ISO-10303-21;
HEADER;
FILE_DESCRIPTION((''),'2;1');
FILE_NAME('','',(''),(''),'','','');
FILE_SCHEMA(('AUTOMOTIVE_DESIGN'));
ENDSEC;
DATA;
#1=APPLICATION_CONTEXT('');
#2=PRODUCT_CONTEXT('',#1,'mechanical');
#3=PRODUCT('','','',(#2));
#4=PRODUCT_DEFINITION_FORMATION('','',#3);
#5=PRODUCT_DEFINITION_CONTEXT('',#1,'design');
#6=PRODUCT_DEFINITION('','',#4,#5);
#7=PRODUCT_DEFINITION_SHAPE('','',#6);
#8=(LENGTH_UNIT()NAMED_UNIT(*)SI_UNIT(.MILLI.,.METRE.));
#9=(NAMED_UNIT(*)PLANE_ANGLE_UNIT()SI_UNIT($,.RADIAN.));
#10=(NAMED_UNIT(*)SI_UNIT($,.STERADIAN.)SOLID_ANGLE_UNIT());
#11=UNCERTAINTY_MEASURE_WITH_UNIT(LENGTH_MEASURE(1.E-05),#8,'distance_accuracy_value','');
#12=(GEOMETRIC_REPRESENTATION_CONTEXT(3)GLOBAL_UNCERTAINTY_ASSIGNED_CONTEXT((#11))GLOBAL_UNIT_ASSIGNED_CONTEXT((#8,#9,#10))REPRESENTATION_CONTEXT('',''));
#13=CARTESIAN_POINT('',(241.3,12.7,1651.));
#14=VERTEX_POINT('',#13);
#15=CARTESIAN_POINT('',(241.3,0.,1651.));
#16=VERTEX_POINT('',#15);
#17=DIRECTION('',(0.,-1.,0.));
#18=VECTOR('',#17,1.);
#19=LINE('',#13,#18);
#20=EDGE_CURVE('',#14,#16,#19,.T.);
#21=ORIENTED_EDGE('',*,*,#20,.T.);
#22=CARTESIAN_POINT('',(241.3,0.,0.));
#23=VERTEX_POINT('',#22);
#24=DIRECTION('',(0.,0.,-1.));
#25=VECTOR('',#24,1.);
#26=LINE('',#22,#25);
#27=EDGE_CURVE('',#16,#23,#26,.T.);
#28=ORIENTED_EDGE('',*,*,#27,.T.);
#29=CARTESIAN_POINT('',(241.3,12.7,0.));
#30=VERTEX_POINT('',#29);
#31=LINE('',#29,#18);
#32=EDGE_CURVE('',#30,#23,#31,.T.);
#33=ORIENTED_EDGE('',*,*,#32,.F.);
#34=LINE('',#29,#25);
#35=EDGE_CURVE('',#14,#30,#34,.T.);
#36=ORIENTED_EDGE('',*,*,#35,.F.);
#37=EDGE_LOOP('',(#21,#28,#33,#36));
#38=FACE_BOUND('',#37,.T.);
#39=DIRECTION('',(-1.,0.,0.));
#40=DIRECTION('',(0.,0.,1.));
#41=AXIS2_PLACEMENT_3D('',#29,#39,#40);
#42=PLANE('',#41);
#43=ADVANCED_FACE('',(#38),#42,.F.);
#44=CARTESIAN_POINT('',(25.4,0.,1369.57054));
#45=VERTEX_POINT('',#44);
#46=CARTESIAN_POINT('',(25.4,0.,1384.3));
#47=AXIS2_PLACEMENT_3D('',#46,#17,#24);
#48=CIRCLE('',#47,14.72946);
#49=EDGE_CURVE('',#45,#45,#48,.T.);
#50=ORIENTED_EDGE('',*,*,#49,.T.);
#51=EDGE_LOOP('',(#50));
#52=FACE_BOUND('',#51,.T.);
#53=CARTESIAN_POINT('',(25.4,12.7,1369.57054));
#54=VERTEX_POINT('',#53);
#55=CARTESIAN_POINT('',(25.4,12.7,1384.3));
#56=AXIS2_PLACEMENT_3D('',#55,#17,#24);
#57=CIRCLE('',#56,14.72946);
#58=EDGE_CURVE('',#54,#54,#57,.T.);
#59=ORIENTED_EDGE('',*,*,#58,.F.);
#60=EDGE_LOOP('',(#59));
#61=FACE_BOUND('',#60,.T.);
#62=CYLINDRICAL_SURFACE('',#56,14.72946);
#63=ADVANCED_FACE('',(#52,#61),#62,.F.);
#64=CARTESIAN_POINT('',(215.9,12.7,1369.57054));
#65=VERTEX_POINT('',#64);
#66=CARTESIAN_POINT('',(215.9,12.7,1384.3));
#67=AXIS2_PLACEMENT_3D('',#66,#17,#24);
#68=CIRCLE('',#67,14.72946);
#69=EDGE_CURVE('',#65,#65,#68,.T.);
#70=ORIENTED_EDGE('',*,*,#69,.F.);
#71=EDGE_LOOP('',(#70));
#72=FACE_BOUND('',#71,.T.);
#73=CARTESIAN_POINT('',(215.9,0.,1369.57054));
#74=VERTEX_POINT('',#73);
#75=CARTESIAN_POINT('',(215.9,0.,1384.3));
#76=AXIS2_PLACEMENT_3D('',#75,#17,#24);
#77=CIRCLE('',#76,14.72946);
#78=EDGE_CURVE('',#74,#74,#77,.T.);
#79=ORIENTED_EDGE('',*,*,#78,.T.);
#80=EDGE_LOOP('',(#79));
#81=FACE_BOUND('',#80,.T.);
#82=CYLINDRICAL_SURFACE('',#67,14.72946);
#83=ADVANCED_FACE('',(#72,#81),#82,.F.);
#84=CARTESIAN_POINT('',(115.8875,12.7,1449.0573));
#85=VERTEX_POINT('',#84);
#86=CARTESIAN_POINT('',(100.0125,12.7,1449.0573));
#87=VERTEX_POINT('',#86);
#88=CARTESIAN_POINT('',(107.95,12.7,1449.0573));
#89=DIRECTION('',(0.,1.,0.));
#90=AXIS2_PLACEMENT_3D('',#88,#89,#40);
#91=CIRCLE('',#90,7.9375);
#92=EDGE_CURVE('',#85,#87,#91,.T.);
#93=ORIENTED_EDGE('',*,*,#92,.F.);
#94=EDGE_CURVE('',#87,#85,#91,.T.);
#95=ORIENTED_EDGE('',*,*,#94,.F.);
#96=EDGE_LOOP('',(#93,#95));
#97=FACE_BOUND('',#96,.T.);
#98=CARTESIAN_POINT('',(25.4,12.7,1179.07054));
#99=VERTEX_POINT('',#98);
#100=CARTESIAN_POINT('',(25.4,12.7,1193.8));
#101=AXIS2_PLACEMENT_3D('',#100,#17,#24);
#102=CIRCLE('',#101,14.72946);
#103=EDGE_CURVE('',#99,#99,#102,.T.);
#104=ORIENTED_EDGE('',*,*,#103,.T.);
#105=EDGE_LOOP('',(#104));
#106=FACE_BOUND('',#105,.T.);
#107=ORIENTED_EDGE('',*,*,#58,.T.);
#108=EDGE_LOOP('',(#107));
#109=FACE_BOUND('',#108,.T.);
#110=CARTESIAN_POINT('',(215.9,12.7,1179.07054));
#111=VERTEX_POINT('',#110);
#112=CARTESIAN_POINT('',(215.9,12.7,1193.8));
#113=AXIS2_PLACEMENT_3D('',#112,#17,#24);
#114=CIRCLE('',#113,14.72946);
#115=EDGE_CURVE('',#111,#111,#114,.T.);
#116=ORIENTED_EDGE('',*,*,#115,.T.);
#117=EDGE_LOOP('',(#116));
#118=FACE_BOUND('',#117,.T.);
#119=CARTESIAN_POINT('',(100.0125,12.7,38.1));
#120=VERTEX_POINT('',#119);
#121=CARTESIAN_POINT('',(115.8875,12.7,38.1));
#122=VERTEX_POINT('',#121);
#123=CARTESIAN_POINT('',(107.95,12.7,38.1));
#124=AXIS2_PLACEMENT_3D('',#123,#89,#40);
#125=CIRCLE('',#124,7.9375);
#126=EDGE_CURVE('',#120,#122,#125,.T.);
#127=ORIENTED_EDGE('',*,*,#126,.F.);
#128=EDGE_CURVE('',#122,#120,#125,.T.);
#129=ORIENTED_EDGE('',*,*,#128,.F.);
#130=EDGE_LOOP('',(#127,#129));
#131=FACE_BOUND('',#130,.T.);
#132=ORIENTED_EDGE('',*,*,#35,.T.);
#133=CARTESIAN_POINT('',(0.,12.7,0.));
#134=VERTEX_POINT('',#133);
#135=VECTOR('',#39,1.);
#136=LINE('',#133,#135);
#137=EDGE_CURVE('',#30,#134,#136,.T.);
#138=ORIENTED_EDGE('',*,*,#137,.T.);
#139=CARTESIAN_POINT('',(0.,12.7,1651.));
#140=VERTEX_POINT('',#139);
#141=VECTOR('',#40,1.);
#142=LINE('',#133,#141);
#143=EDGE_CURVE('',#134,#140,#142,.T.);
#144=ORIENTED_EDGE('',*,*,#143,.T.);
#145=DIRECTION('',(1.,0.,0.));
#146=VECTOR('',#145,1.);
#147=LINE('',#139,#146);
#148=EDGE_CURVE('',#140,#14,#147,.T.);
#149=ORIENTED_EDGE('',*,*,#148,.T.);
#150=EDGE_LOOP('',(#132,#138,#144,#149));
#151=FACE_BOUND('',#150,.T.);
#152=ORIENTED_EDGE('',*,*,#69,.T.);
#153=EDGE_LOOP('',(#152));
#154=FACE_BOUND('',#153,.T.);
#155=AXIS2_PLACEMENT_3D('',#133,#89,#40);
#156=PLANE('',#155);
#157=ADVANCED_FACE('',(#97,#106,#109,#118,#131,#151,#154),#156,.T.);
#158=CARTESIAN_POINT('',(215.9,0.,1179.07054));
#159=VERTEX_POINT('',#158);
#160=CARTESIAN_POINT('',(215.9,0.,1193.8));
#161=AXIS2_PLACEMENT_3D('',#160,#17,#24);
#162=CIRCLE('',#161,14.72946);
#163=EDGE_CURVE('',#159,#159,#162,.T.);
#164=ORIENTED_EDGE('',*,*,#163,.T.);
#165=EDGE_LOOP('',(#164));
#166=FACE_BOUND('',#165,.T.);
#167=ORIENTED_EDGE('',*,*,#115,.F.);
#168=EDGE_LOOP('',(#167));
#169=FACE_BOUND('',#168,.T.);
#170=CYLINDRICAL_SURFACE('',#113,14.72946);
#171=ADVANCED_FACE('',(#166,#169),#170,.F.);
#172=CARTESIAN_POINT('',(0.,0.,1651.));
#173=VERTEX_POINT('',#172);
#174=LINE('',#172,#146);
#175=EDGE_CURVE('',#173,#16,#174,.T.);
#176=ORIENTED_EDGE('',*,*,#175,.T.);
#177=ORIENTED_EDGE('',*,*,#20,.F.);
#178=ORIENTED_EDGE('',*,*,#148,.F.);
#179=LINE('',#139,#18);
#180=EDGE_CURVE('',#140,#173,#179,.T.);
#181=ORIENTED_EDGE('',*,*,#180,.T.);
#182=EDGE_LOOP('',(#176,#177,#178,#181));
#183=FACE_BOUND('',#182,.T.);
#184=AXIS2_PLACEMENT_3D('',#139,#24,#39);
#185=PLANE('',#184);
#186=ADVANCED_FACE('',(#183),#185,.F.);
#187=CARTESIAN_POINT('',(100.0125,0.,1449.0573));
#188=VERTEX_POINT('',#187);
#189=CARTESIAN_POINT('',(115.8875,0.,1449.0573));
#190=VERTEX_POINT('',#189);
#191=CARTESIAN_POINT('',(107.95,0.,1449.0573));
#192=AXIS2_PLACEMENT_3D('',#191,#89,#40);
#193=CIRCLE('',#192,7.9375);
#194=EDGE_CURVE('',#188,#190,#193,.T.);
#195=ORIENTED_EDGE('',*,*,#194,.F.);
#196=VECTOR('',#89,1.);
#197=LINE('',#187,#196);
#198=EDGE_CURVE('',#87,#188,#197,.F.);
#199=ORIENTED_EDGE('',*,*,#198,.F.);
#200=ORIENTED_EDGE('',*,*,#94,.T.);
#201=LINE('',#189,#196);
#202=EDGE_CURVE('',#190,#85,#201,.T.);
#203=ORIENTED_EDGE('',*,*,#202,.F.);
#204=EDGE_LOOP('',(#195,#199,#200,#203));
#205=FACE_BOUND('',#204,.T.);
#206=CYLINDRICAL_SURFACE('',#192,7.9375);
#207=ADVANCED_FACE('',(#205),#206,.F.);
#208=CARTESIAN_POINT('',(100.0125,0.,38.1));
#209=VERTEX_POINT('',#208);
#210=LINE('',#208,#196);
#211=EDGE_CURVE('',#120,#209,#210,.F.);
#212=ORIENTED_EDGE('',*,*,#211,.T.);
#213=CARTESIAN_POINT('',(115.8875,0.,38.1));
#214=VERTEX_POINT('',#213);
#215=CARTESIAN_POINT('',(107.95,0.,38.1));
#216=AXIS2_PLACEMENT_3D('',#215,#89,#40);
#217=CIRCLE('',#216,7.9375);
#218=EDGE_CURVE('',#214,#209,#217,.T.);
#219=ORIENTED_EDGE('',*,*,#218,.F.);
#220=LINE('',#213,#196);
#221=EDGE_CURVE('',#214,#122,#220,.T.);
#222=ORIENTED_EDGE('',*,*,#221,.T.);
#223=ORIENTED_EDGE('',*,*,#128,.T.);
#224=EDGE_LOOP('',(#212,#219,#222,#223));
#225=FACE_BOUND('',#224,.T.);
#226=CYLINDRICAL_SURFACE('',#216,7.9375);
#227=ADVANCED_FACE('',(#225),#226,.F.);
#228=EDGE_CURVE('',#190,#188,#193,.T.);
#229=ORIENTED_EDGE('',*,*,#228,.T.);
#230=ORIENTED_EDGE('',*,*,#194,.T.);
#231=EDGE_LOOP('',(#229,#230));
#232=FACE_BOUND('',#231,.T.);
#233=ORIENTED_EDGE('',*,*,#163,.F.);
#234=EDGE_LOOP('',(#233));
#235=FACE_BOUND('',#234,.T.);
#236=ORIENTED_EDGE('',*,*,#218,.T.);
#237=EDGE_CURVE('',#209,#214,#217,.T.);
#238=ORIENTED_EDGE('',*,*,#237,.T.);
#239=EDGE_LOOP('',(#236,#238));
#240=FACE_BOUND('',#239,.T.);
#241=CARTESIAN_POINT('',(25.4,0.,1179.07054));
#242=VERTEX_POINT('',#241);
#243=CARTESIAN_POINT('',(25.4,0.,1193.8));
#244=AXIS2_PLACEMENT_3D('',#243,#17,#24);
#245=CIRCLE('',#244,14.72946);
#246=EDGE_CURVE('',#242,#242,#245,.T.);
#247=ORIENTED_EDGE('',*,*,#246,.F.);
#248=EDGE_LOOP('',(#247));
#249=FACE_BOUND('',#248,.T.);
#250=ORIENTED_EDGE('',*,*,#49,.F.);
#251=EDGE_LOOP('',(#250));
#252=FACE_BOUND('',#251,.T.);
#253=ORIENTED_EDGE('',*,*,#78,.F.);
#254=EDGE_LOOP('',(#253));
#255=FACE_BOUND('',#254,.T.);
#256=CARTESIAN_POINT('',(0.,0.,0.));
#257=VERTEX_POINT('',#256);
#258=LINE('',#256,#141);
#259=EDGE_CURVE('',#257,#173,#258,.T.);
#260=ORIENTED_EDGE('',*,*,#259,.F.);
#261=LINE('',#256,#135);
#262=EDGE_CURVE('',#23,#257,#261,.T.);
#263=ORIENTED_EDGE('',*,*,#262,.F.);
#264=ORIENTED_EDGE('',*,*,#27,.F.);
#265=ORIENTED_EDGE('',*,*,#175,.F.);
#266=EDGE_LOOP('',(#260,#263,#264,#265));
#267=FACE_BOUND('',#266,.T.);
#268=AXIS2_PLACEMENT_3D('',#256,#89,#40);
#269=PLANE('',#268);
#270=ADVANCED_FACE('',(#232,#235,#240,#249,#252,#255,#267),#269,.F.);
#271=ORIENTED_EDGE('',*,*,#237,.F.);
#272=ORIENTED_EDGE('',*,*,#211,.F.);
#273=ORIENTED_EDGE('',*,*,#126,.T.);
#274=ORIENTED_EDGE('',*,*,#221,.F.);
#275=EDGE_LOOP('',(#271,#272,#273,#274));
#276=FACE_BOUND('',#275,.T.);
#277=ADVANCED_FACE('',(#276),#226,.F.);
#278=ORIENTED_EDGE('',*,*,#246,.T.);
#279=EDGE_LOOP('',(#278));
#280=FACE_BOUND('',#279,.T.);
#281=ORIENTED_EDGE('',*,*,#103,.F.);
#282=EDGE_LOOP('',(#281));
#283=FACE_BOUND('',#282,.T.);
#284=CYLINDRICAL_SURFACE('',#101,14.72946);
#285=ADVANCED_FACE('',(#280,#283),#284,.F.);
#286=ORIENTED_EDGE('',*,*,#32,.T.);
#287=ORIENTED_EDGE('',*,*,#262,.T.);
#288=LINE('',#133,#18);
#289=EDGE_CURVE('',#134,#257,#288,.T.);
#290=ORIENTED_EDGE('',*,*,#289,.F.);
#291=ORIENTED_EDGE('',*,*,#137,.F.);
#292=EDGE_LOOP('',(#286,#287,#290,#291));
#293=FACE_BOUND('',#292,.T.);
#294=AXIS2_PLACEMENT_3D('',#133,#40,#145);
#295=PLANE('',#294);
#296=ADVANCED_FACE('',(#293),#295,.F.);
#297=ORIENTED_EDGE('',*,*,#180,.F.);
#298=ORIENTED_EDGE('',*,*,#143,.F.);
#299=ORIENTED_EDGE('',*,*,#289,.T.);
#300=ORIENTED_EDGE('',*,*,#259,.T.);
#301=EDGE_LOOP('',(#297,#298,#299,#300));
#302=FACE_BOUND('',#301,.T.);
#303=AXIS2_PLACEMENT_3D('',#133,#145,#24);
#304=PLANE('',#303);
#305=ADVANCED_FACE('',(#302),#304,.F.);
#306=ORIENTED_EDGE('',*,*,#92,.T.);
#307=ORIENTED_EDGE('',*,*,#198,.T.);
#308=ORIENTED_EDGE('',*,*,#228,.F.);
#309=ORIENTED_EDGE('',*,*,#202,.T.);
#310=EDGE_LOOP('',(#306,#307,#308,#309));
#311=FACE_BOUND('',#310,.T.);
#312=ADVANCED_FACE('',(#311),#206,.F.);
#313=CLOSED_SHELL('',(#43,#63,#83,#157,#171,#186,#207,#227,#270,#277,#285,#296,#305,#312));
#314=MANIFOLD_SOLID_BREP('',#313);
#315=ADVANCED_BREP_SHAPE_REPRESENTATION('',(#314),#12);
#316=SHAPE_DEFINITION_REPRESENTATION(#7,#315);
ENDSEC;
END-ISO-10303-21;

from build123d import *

# Parameters (mm, degrees)
SKETCH1_W               = 241.3
SKETCH1_H               = 1651
BOSS_EXTRUDE1_DEPTH     = 12.7
CUT_EXTRUDE1_DEPTH      = 1669.588619163
CUT_EXTRUDE1_DEPTH_BACK = 1669.588619163
SKETCH2_R               = 7.9375
SKETCH3_R               = 14.72946
CUT_EXTRUDE2_DEPTH      = 1669.588619163


with BuildPart() as part:
    # Sketch1 → Boss-Extrude1 (new body)
    with BuildSketch(Plane(origin=(0, 0, 0), x_dir=(1, 0, 0), z_dir=(0, 1, 0))):
        with Locations((120.65, -825.5)):
            Rectangle(SKETCH1_W, SKETCH1_H)
    extrude(amount=BOSS_EXTRUDE1_DEPTH)

    # Sketch2 → Cut-Extrude1 (cut, two sides: drawn at the far end of the back side and taken through both)
    with BuildSketch(Plane(origin=(0, 12.7, 0), x_dir=(1, 0, 0), z_dir=(0, 1, 0)).offset(-CUT_EXTRUDE1_DEPTH_BACK)):
        with Locations(Location((107.95, -38.1, 0), (0, 0, 270))):
            Circle(SKETCH2_R)
        with Locations(Location((107.95, -1449.0573, 0), (0, 0, 270))):
            Circle(SKETCH2_R)
    extrude(amount=CUT_EXTRUDE1_DEPTH + CUT_EXTRUDE1_DEPTH_BACK, mode=Mode.SUBTRACT)

    # Sketch3 → Cut-Extrude2 (cut, through all)
    with BuildSketch(Plane.XZ):
        with Locations(Location((215.9, 1193.8, 0), (0, 0, 270))):
            Circle(SKETCH3_R)
        with Locations(Location((25.4, 1193.8, 0), (0, 0, 270))):
            Circle(SKETCH3_R)
        with Locations(Location((25.4, 1384.3, 0), (0, 0, 270))):
            Circle(SKETCH3_R)
        with Locations(Location((215.9, 1384.3, 0), (0, 0, 270))):
            Circle(SKETCH3_R)
    extrude(amount=-CUT_EXTRUDE2_DEPTH, mode=Mode.SUBTRACT)


solid = part.part
